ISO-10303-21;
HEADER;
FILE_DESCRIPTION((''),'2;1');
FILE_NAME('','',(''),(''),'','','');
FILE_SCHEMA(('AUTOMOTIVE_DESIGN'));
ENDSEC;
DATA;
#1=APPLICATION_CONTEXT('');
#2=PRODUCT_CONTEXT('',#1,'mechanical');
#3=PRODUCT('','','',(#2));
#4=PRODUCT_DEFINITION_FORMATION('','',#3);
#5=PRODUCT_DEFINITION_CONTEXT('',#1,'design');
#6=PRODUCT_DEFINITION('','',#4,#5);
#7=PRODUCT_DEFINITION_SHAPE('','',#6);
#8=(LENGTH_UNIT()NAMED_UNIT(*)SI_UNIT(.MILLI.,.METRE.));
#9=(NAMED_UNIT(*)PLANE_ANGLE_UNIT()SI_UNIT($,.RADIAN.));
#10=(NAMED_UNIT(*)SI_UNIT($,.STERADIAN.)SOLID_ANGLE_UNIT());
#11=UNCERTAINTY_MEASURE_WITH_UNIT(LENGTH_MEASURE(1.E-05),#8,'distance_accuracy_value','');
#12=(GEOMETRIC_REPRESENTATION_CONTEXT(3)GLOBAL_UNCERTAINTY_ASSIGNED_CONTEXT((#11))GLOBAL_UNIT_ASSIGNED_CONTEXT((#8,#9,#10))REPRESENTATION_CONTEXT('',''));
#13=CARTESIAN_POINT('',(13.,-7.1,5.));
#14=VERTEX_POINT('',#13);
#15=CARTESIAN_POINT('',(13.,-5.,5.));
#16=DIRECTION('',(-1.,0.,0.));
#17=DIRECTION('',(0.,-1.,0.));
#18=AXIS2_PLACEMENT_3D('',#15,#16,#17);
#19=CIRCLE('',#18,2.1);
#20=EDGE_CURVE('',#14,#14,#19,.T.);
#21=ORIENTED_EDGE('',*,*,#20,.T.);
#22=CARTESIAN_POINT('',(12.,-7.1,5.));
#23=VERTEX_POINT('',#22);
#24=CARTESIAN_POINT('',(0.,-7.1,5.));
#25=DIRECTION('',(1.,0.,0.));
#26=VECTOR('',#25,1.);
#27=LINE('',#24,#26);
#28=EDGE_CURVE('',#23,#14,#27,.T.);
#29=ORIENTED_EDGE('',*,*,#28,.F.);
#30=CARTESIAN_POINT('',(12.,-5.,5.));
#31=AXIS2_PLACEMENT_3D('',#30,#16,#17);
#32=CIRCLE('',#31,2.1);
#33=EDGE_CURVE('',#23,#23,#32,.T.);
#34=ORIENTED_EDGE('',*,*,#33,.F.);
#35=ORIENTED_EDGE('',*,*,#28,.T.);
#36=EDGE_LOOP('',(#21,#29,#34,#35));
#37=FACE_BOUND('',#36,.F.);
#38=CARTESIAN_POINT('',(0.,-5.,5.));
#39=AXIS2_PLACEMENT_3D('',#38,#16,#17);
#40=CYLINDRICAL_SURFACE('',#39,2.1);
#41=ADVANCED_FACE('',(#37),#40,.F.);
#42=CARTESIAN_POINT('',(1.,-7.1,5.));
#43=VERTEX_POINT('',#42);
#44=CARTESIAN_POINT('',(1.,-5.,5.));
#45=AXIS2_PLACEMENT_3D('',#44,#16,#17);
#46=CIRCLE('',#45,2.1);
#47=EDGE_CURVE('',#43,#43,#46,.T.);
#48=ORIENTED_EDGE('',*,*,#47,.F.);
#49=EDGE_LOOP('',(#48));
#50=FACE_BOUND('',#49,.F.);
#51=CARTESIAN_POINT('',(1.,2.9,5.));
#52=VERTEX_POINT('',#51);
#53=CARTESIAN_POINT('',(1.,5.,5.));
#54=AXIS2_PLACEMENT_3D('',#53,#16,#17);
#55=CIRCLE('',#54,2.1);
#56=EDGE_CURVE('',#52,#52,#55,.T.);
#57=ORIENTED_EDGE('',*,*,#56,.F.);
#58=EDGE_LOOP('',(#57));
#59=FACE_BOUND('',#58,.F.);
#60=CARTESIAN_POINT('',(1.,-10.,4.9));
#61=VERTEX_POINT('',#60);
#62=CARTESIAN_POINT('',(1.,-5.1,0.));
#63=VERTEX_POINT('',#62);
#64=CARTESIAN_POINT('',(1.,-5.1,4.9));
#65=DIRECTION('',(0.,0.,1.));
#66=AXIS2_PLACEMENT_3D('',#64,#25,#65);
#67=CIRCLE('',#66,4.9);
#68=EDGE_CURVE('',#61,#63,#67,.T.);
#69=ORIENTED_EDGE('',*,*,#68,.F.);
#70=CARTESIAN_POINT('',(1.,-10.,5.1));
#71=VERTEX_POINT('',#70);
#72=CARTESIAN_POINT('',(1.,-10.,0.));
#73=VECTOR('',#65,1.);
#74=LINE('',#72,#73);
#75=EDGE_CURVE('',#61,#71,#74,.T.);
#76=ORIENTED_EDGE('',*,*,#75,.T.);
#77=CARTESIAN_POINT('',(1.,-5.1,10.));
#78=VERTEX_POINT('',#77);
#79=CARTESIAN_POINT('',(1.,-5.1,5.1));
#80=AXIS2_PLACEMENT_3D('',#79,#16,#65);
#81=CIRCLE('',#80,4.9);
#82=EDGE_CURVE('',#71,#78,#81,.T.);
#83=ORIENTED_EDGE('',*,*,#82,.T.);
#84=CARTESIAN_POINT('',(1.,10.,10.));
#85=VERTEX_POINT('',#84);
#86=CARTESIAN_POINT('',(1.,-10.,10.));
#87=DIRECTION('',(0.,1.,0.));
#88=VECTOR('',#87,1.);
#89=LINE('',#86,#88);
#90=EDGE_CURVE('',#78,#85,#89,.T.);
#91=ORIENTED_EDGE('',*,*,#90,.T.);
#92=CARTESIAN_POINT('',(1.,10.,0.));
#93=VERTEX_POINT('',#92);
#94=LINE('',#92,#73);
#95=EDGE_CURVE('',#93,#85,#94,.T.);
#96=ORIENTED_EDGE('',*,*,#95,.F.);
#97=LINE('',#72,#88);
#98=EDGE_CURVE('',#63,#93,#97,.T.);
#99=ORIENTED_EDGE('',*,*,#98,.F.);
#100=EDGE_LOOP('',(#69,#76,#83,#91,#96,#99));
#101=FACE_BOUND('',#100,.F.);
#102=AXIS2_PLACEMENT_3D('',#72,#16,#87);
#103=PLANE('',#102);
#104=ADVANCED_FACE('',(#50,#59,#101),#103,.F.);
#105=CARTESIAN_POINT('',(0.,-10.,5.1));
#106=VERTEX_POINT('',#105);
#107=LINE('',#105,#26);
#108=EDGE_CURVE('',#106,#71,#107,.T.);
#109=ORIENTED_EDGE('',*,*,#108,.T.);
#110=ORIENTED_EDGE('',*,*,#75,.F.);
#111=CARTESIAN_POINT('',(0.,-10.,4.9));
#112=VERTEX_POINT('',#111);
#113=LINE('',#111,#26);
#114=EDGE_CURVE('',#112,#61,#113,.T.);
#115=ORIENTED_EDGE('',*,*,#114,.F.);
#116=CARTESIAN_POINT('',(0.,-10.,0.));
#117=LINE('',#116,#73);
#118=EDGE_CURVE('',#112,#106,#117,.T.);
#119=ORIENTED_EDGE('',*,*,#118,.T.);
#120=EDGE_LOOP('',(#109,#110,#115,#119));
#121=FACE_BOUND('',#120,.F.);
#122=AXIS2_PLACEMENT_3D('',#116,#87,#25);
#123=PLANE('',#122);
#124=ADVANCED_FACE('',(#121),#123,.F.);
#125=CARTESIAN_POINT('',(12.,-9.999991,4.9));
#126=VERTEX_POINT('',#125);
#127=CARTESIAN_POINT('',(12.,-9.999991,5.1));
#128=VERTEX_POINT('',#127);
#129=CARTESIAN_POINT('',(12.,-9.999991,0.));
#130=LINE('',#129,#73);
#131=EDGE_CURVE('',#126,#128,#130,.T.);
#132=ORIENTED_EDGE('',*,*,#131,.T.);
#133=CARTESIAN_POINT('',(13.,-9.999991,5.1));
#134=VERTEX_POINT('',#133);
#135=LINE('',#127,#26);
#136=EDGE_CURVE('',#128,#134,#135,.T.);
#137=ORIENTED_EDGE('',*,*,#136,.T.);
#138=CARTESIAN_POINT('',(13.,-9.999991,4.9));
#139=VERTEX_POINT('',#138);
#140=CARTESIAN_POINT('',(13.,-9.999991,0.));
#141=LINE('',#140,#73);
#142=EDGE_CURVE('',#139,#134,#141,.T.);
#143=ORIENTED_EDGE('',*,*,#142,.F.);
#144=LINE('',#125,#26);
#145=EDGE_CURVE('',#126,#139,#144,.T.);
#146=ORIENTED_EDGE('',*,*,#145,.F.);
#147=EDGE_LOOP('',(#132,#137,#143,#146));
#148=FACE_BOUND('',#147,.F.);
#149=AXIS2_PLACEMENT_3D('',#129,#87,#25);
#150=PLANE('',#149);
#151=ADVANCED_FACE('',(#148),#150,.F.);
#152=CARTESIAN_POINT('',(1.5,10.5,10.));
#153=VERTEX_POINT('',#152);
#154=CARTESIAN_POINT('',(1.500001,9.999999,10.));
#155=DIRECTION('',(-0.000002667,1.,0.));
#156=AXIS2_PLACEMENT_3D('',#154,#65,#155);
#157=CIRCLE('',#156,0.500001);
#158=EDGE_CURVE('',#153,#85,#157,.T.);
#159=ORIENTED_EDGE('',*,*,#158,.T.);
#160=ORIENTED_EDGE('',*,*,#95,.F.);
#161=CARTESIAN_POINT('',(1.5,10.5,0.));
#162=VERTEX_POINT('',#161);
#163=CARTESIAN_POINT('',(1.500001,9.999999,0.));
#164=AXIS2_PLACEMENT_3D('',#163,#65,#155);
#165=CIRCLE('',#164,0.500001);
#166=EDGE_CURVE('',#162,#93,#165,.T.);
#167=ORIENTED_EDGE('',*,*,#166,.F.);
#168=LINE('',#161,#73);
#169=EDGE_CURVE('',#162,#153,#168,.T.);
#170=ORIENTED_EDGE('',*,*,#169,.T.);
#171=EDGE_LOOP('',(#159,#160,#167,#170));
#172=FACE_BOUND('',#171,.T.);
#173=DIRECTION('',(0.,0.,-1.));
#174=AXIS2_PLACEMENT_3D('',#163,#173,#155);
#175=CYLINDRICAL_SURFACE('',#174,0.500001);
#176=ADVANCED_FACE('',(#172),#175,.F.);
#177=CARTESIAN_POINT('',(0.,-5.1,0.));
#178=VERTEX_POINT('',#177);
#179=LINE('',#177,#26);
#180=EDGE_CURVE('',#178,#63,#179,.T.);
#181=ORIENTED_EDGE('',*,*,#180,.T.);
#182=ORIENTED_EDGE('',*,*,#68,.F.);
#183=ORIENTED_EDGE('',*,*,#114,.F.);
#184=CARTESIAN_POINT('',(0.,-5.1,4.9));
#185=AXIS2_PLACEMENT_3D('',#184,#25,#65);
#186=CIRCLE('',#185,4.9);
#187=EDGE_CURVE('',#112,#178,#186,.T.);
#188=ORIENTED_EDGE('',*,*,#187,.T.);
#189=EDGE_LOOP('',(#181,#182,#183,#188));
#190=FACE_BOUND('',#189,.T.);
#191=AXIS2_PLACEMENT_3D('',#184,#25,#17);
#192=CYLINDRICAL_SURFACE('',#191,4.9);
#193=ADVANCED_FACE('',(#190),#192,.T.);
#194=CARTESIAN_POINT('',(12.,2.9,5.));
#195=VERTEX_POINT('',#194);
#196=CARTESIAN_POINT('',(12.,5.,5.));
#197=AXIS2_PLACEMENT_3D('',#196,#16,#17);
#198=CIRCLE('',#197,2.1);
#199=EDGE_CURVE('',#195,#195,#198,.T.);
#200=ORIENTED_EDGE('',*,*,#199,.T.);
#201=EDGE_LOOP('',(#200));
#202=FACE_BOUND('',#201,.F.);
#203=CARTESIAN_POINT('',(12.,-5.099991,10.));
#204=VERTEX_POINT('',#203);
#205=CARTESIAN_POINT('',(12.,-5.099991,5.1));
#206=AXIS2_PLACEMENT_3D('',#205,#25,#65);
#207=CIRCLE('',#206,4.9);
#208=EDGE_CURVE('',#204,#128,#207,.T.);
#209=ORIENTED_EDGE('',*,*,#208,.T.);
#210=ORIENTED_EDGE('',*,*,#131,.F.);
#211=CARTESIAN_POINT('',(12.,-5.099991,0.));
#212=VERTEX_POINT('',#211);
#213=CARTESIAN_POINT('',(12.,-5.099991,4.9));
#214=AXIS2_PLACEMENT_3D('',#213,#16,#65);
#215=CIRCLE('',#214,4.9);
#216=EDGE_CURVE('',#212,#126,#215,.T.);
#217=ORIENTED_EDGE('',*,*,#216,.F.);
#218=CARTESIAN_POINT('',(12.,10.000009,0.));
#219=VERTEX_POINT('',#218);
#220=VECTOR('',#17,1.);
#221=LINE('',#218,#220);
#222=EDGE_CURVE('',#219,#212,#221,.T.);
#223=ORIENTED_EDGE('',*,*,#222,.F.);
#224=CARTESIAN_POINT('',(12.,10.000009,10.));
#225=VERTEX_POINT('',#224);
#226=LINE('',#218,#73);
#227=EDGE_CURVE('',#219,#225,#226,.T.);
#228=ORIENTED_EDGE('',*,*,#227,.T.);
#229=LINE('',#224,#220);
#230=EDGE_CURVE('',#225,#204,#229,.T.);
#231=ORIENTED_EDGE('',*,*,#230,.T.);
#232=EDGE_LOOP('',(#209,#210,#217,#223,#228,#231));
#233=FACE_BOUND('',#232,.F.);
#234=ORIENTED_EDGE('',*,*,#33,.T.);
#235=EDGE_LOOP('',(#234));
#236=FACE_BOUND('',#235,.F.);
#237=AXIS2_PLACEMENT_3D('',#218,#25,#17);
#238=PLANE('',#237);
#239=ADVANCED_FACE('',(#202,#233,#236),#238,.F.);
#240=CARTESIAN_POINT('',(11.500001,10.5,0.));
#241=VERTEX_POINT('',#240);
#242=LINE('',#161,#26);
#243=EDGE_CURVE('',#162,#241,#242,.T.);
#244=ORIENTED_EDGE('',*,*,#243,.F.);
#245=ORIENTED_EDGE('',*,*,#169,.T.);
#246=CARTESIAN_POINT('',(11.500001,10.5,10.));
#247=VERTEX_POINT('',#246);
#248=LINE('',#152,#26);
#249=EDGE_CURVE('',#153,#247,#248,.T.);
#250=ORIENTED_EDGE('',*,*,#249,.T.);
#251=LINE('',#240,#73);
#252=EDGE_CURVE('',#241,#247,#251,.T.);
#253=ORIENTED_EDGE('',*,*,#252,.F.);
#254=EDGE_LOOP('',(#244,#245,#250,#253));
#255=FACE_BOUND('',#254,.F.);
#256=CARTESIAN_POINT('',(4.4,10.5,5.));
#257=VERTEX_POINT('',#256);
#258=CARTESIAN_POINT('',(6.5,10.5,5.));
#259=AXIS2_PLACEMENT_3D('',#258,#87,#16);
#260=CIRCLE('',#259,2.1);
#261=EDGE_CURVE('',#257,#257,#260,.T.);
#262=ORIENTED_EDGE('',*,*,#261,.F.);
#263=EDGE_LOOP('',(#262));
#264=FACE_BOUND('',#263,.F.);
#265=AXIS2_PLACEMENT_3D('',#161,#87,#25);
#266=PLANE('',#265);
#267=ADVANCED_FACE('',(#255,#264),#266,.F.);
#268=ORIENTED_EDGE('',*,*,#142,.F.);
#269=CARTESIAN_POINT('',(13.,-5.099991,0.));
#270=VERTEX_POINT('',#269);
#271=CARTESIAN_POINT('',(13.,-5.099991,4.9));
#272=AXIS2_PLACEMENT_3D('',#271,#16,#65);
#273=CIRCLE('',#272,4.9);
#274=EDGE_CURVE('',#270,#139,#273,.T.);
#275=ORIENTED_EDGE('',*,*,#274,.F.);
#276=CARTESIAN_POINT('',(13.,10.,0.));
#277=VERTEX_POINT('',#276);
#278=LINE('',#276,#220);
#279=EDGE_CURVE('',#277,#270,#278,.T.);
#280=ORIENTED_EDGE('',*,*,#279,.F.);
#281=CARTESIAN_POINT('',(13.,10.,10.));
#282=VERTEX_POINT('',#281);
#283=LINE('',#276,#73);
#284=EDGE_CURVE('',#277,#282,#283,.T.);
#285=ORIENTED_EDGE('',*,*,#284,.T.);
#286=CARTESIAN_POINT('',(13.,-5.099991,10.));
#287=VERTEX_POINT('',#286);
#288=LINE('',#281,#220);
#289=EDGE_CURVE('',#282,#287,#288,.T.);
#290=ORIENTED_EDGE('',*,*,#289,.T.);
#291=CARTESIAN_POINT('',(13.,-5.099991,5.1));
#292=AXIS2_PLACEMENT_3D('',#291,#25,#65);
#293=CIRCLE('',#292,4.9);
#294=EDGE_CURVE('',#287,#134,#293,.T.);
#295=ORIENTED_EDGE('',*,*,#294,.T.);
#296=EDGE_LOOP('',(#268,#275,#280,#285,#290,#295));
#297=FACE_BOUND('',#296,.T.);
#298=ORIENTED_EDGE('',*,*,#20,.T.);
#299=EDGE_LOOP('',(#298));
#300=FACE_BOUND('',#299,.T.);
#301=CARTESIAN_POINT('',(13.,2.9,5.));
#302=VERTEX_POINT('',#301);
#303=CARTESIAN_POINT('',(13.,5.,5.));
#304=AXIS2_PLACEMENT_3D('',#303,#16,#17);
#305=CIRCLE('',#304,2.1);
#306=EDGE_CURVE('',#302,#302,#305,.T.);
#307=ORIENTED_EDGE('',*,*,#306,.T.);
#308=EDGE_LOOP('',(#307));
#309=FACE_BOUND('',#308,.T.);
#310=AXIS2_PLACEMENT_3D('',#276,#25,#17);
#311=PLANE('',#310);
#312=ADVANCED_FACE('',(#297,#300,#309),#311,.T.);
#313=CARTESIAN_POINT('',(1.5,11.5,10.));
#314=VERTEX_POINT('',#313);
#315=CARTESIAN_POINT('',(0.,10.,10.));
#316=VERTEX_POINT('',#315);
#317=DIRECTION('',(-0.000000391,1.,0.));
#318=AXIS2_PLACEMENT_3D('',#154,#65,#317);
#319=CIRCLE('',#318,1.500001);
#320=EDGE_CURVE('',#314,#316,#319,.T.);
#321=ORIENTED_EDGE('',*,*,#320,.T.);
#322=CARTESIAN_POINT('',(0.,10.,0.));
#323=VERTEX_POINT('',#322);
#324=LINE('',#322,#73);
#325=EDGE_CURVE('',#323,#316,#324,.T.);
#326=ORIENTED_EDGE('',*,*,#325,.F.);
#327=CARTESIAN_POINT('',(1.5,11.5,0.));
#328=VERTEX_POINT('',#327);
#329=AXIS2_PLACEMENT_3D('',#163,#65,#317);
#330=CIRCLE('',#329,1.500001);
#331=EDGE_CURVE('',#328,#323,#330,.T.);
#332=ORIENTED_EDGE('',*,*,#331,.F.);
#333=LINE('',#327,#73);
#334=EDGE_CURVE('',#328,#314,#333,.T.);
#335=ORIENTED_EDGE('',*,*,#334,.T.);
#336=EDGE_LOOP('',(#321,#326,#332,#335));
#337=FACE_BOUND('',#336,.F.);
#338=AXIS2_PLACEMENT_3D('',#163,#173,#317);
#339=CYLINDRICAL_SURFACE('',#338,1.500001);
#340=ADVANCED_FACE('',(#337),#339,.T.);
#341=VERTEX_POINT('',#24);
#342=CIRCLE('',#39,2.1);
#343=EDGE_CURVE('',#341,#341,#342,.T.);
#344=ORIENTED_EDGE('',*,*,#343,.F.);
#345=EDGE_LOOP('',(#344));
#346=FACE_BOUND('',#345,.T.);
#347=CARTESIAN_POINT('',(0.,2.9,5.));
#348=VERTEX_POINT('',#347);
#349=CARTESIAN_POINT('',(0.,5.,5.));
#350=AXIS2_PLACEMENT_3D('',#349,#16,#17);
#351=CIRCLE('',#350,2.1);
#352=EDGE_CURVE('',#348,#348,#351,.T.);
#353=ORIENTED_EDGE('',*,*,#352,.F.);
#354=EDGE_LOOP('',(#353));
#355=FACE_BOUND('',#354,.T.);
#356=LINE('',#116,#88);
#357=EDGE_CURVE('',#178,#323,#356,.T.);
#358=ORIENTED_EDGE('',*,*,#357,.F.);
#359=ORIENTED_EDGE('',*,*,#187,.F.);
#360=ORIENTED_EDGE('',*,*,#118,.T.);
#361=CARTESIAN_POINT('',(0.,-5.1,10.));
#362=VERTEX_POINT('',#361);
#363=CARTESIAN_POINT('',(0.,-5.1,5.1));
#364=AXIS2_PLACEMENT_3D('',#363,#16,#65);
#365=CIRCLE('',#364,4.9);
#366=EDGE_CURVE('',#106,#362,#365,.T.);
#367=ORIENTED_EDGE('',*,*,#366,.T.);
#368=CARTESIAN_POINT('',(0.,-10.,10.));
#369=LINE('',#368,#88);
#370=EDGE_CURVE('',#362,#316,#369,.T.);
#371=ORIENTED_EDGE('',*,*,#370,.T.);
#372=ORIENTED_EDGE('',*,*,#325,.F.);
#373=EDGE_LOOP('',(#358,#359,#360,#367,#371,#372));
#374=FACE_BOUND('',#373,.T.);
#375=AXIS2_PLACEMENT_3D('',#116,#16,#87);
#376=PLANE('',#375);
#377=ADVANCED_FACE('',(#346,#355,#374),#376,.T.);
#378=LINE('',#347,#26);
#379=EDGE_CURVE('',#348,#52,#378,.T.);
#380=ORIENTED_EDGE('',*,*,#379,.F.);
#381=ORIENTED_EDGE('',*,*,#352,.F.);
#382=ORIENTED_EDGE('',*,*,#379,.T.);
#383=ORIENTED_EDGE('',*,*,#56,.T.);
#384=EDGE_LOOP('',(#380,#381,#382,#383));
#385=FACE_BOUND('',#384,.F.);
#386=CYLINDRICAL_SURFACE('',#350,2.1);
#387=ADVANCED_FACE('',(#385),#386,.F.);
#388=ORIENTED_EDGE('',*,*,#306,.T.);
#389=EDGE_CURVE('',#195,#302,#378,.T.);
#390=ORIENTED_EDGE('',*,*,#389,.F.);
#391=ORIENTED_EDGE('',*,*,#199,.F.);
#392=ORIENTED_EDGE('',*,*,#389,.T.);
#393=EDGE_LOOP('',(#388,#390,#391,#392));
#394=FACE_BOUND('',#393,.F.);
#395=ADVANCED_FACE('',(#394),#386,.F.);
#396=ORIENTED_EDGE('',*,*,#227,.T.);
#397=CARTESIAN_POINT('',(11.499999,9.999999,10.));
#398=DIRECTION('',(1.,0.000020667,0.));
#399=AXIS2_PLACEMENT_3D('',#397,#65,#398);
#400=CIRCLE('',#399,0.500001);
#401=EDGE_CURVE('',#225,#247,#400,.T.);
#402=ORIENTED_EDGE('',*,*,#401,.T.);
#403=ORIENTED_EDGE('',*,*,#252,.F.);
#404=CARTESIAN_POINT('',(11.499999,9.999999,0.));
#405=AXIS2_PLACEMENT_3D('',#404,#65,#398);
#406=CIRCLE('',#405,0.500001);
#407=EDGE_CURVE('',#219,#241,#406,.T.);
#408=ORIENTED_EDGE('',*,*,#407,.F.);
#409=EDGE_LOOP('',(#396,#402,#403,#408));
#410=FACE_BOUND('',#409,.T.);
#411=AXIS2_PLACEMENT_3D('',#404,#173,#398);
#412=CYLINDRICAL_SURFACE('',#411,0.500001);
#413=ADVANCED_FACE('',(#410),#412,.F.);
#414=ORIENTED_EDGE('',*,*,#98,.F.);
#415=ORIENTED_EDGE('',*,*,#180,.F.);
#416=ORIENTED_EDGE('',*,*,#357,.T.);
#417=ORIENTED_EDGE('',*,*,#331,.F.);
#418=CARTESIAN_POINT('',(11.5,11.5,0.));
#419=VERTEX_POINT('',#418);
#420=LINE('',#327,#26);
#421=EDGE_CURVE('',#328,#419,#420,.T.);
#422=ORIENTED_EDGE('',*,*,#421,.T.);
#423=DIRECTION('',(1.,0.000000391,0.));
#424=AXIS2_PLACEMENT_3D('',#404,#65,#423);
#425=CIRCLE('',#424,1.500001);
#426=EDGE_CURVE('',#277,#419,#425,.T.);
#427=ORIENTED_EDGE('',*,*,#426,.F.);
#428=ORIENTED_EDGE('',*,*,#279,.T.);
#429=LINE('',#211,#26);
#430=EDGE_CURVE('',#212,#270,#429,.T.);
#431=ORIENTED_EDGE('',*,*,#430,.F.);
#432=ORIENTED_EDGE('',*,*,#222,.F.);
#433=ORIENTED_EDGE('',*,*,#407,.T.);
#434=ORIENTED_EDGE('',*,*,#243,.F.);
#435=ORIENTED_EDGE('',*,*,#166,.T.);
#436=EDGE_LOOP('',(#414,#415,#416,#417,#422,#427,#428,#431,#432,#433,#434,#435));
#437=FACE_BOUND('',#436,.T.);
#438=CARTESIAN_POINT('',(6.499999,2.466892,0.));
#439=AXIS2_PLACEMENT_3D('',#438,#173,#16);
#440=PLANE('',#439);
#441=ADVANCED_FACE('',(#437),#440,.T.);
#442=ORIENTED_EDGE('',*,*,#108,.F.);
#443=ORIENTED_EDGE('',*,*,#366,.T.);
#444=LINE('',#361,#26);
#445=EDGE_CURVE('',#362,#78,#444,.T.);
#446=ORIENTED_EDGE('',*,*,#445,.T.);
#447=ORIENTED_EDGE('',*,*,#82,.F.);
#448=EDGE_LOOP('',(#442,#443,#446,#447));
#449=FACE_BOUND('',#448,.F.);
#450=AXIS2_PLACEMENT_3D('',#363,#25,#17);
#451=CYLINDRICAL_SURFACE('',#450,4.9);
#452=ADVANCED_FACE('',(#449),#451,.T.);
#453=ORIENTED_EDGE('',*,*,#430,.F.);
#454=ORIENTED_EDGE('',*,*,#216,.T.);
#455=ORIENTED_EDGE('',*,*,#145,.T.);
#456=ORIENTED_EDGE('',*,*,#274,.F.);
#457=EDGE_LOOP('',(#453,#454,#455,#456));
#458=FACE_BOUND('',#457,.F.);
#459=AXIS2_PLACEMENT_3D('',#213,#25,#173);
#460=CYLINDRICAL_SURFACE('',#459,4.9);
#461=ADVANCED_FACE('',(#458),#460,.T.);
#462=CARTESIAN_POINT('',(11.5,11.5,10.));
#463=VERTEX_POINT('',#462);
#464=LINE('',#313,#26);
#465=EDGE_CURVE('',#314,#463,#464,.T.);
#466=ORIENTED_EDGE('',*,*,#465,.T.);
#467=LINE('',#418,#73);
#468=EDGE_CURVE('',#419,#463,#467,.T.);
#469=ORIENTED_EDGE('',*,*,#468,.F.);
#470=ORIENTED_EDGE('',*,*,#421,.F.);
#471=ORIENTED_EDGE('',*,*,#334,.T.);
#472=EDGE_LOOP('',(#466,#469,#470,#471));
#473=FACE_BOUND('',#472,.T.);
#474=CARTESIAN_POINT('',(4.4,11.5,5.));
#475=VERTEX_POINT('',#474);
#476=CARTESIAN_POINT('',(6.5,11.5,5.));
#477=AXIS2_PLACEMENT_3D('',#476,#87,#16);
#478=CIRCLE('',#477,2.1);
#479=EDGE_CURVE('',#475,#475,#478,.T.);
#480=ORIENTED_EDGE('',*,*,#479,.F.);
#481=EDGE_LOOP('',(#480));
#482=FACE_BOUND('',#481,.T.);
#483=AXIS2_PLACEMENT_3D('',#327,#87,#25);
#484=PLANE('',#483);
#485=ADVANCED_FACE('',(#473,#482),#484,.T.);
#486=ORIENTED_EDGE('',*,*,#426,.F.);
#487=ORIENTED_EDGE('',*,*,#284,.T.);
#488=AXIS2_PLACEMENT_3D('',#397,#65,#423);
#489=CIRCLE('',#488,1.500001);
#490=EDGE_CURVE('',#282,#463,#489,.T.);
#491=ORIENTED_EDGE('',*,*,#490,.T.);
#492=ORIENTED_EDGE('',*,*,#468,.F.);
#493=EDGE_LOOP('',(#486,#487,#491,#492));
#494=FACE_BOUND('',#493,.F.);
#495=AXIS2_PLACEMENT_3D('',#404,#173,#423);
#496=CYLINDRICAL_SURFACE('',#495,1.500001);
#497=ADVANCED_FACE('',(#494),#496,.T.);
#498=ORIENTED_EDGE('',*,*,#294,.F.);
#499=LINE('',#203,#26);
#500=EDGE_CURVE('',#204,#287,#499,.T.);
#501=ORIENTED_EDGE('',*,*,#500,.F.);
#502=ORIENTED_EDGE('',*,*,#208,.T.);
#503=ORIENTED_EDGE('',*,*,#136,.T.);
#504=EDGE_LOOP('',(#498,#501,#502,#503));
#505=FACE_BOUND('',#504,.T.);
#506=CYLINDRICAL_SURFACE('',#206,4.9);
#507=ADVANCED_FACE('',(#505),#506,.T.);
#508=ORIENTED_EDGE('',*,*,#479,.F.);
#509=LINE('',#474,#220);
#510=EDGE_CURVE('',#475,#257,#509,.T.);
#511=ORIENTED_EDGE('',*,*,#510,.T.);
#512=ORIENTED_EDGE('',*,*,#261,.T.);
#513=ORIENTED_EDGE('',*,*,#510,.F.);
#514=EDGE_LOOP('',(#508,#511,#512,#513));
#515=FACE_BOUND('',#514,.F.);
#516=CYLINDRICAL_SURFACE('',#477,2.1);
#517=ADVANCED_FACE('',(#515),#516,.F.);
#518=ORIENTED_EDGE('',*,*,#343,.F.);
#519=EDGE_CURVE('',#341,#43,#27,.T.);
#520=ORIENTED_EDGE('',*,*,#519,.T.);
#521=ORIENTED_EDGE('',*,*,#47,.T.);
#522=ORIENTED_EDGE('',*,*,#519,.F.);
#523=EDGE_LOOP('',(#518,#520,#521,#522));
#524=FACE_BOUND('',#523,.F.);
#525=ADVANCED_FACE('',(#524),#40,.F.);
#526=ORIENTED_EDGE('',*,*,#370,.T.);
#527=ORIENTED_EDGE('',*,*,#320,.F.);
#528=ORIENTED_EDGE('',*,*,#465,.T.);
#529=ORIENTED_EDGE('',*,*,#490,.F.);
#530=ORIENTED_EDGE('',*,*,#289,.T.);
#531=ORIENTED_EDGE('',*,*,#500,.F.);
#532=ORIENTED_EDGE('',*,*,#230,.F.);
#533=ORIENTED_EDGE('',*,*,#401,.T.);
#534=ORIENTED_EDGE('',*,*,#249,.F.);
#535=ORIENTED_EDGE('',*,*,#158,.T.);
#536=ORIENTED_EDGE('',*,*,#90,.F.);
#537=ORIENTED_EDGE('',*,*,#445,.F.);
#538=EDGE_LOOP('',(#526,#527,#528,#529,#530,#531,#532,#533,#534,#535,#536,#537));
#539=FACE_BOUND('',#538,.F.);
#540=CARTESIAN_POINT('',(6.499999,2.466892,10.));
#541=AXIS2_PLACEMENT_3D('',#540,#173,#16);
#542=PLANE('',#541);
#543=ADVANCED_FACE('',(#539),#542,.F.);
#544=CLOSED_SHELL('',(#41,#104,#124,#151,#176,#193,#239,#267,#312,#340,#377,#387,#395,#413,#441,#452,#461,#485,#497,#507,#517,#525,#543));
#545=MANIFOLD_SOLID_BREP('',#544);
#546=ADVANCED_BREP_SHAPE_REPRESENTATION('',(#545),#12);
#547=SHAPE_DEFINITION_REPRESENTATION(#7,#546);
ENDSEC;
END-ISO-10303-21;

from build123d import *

# Parameters (mm, degrees)
PAD_DEPTH       = 10
SKETCH002_R     = 2.1
POCKET_DEPTH    = 5
SKETCH001_R     = 2.1
POCKET001_DEPTH = 13.001
FILLET_R        = 4.9


with BuildPart() as part:
    # Sketch → Pad (new body)
    with BuildSketch(Plane.XY):
        with BuildLine():
            Line((0, -10), (0, 10))
            ThreePointArc((1.5, 11.5), (0.43934, 11.06066), (0, 10))
            Line((1.5, 11.5), (11.5, 11.5))
            ThreePointArc((13, 10), (12.56066, 11.06066), (11.5, 11.5))
            Line((13, 10), (13, -9.999991))
            Line((12, -9.999991), (13, -9.999991))
            Line((12, 10.000009), (12, -9.999991))
            ThreePointArc((12, 10.000009), (11.85355, 10.353556), (11.500001, 10.5))
            Line((1.5, 10.5), (11.500001, 10.5))
            ThreePointArc((1.5, 10.5), (1.146447, 10.353553), (1, 10))
            Line((1, -10), (1, 10))
            Line((0, -10), (1, -10))
        make_face()
    extrude(amount=PAD_DEPTH)

    # Sketch002 → Pocket (cut)
    with BuildSketch(Plane(origin=(0, 11.5, 0), x_dir=(-1, 0, 0), z_dir=(0, 1, 0))):
        with Locations((-6.5, 5)):
            Circle(SKETCH002_R)
    extrude(amount=-POCKET_DEPTH, mode=Mode.SUBTRACT)

    # Sketch001 → Pocket001 (cut, through all)
    with BuildSketch(Plane(origin=(0, 0, 0), x_dir=(0, -1, 0), z_dir=(-1, 0, 0))):
        with Locations((-5, 5)):
            Circle(SKETCH001_R)
        with Locations((5, 5)):
            Circle(SKETCH001_R)
    extrude(amount=-POCKET001_DEPTH, mode=Mode.SUBTRACT)

    # Fillet
    fillet_edges = [part.edges().sort_by_distance(p)[0] for p in [
        (0.5, -10, 10),
        (12.5, -9.999991, 10),
        (12.5, -9.999991, 0),
        (0.5, -10, 0),
    ]]
    fillet(fillet_edges, radius=FILLET_R)


solid = part.part
